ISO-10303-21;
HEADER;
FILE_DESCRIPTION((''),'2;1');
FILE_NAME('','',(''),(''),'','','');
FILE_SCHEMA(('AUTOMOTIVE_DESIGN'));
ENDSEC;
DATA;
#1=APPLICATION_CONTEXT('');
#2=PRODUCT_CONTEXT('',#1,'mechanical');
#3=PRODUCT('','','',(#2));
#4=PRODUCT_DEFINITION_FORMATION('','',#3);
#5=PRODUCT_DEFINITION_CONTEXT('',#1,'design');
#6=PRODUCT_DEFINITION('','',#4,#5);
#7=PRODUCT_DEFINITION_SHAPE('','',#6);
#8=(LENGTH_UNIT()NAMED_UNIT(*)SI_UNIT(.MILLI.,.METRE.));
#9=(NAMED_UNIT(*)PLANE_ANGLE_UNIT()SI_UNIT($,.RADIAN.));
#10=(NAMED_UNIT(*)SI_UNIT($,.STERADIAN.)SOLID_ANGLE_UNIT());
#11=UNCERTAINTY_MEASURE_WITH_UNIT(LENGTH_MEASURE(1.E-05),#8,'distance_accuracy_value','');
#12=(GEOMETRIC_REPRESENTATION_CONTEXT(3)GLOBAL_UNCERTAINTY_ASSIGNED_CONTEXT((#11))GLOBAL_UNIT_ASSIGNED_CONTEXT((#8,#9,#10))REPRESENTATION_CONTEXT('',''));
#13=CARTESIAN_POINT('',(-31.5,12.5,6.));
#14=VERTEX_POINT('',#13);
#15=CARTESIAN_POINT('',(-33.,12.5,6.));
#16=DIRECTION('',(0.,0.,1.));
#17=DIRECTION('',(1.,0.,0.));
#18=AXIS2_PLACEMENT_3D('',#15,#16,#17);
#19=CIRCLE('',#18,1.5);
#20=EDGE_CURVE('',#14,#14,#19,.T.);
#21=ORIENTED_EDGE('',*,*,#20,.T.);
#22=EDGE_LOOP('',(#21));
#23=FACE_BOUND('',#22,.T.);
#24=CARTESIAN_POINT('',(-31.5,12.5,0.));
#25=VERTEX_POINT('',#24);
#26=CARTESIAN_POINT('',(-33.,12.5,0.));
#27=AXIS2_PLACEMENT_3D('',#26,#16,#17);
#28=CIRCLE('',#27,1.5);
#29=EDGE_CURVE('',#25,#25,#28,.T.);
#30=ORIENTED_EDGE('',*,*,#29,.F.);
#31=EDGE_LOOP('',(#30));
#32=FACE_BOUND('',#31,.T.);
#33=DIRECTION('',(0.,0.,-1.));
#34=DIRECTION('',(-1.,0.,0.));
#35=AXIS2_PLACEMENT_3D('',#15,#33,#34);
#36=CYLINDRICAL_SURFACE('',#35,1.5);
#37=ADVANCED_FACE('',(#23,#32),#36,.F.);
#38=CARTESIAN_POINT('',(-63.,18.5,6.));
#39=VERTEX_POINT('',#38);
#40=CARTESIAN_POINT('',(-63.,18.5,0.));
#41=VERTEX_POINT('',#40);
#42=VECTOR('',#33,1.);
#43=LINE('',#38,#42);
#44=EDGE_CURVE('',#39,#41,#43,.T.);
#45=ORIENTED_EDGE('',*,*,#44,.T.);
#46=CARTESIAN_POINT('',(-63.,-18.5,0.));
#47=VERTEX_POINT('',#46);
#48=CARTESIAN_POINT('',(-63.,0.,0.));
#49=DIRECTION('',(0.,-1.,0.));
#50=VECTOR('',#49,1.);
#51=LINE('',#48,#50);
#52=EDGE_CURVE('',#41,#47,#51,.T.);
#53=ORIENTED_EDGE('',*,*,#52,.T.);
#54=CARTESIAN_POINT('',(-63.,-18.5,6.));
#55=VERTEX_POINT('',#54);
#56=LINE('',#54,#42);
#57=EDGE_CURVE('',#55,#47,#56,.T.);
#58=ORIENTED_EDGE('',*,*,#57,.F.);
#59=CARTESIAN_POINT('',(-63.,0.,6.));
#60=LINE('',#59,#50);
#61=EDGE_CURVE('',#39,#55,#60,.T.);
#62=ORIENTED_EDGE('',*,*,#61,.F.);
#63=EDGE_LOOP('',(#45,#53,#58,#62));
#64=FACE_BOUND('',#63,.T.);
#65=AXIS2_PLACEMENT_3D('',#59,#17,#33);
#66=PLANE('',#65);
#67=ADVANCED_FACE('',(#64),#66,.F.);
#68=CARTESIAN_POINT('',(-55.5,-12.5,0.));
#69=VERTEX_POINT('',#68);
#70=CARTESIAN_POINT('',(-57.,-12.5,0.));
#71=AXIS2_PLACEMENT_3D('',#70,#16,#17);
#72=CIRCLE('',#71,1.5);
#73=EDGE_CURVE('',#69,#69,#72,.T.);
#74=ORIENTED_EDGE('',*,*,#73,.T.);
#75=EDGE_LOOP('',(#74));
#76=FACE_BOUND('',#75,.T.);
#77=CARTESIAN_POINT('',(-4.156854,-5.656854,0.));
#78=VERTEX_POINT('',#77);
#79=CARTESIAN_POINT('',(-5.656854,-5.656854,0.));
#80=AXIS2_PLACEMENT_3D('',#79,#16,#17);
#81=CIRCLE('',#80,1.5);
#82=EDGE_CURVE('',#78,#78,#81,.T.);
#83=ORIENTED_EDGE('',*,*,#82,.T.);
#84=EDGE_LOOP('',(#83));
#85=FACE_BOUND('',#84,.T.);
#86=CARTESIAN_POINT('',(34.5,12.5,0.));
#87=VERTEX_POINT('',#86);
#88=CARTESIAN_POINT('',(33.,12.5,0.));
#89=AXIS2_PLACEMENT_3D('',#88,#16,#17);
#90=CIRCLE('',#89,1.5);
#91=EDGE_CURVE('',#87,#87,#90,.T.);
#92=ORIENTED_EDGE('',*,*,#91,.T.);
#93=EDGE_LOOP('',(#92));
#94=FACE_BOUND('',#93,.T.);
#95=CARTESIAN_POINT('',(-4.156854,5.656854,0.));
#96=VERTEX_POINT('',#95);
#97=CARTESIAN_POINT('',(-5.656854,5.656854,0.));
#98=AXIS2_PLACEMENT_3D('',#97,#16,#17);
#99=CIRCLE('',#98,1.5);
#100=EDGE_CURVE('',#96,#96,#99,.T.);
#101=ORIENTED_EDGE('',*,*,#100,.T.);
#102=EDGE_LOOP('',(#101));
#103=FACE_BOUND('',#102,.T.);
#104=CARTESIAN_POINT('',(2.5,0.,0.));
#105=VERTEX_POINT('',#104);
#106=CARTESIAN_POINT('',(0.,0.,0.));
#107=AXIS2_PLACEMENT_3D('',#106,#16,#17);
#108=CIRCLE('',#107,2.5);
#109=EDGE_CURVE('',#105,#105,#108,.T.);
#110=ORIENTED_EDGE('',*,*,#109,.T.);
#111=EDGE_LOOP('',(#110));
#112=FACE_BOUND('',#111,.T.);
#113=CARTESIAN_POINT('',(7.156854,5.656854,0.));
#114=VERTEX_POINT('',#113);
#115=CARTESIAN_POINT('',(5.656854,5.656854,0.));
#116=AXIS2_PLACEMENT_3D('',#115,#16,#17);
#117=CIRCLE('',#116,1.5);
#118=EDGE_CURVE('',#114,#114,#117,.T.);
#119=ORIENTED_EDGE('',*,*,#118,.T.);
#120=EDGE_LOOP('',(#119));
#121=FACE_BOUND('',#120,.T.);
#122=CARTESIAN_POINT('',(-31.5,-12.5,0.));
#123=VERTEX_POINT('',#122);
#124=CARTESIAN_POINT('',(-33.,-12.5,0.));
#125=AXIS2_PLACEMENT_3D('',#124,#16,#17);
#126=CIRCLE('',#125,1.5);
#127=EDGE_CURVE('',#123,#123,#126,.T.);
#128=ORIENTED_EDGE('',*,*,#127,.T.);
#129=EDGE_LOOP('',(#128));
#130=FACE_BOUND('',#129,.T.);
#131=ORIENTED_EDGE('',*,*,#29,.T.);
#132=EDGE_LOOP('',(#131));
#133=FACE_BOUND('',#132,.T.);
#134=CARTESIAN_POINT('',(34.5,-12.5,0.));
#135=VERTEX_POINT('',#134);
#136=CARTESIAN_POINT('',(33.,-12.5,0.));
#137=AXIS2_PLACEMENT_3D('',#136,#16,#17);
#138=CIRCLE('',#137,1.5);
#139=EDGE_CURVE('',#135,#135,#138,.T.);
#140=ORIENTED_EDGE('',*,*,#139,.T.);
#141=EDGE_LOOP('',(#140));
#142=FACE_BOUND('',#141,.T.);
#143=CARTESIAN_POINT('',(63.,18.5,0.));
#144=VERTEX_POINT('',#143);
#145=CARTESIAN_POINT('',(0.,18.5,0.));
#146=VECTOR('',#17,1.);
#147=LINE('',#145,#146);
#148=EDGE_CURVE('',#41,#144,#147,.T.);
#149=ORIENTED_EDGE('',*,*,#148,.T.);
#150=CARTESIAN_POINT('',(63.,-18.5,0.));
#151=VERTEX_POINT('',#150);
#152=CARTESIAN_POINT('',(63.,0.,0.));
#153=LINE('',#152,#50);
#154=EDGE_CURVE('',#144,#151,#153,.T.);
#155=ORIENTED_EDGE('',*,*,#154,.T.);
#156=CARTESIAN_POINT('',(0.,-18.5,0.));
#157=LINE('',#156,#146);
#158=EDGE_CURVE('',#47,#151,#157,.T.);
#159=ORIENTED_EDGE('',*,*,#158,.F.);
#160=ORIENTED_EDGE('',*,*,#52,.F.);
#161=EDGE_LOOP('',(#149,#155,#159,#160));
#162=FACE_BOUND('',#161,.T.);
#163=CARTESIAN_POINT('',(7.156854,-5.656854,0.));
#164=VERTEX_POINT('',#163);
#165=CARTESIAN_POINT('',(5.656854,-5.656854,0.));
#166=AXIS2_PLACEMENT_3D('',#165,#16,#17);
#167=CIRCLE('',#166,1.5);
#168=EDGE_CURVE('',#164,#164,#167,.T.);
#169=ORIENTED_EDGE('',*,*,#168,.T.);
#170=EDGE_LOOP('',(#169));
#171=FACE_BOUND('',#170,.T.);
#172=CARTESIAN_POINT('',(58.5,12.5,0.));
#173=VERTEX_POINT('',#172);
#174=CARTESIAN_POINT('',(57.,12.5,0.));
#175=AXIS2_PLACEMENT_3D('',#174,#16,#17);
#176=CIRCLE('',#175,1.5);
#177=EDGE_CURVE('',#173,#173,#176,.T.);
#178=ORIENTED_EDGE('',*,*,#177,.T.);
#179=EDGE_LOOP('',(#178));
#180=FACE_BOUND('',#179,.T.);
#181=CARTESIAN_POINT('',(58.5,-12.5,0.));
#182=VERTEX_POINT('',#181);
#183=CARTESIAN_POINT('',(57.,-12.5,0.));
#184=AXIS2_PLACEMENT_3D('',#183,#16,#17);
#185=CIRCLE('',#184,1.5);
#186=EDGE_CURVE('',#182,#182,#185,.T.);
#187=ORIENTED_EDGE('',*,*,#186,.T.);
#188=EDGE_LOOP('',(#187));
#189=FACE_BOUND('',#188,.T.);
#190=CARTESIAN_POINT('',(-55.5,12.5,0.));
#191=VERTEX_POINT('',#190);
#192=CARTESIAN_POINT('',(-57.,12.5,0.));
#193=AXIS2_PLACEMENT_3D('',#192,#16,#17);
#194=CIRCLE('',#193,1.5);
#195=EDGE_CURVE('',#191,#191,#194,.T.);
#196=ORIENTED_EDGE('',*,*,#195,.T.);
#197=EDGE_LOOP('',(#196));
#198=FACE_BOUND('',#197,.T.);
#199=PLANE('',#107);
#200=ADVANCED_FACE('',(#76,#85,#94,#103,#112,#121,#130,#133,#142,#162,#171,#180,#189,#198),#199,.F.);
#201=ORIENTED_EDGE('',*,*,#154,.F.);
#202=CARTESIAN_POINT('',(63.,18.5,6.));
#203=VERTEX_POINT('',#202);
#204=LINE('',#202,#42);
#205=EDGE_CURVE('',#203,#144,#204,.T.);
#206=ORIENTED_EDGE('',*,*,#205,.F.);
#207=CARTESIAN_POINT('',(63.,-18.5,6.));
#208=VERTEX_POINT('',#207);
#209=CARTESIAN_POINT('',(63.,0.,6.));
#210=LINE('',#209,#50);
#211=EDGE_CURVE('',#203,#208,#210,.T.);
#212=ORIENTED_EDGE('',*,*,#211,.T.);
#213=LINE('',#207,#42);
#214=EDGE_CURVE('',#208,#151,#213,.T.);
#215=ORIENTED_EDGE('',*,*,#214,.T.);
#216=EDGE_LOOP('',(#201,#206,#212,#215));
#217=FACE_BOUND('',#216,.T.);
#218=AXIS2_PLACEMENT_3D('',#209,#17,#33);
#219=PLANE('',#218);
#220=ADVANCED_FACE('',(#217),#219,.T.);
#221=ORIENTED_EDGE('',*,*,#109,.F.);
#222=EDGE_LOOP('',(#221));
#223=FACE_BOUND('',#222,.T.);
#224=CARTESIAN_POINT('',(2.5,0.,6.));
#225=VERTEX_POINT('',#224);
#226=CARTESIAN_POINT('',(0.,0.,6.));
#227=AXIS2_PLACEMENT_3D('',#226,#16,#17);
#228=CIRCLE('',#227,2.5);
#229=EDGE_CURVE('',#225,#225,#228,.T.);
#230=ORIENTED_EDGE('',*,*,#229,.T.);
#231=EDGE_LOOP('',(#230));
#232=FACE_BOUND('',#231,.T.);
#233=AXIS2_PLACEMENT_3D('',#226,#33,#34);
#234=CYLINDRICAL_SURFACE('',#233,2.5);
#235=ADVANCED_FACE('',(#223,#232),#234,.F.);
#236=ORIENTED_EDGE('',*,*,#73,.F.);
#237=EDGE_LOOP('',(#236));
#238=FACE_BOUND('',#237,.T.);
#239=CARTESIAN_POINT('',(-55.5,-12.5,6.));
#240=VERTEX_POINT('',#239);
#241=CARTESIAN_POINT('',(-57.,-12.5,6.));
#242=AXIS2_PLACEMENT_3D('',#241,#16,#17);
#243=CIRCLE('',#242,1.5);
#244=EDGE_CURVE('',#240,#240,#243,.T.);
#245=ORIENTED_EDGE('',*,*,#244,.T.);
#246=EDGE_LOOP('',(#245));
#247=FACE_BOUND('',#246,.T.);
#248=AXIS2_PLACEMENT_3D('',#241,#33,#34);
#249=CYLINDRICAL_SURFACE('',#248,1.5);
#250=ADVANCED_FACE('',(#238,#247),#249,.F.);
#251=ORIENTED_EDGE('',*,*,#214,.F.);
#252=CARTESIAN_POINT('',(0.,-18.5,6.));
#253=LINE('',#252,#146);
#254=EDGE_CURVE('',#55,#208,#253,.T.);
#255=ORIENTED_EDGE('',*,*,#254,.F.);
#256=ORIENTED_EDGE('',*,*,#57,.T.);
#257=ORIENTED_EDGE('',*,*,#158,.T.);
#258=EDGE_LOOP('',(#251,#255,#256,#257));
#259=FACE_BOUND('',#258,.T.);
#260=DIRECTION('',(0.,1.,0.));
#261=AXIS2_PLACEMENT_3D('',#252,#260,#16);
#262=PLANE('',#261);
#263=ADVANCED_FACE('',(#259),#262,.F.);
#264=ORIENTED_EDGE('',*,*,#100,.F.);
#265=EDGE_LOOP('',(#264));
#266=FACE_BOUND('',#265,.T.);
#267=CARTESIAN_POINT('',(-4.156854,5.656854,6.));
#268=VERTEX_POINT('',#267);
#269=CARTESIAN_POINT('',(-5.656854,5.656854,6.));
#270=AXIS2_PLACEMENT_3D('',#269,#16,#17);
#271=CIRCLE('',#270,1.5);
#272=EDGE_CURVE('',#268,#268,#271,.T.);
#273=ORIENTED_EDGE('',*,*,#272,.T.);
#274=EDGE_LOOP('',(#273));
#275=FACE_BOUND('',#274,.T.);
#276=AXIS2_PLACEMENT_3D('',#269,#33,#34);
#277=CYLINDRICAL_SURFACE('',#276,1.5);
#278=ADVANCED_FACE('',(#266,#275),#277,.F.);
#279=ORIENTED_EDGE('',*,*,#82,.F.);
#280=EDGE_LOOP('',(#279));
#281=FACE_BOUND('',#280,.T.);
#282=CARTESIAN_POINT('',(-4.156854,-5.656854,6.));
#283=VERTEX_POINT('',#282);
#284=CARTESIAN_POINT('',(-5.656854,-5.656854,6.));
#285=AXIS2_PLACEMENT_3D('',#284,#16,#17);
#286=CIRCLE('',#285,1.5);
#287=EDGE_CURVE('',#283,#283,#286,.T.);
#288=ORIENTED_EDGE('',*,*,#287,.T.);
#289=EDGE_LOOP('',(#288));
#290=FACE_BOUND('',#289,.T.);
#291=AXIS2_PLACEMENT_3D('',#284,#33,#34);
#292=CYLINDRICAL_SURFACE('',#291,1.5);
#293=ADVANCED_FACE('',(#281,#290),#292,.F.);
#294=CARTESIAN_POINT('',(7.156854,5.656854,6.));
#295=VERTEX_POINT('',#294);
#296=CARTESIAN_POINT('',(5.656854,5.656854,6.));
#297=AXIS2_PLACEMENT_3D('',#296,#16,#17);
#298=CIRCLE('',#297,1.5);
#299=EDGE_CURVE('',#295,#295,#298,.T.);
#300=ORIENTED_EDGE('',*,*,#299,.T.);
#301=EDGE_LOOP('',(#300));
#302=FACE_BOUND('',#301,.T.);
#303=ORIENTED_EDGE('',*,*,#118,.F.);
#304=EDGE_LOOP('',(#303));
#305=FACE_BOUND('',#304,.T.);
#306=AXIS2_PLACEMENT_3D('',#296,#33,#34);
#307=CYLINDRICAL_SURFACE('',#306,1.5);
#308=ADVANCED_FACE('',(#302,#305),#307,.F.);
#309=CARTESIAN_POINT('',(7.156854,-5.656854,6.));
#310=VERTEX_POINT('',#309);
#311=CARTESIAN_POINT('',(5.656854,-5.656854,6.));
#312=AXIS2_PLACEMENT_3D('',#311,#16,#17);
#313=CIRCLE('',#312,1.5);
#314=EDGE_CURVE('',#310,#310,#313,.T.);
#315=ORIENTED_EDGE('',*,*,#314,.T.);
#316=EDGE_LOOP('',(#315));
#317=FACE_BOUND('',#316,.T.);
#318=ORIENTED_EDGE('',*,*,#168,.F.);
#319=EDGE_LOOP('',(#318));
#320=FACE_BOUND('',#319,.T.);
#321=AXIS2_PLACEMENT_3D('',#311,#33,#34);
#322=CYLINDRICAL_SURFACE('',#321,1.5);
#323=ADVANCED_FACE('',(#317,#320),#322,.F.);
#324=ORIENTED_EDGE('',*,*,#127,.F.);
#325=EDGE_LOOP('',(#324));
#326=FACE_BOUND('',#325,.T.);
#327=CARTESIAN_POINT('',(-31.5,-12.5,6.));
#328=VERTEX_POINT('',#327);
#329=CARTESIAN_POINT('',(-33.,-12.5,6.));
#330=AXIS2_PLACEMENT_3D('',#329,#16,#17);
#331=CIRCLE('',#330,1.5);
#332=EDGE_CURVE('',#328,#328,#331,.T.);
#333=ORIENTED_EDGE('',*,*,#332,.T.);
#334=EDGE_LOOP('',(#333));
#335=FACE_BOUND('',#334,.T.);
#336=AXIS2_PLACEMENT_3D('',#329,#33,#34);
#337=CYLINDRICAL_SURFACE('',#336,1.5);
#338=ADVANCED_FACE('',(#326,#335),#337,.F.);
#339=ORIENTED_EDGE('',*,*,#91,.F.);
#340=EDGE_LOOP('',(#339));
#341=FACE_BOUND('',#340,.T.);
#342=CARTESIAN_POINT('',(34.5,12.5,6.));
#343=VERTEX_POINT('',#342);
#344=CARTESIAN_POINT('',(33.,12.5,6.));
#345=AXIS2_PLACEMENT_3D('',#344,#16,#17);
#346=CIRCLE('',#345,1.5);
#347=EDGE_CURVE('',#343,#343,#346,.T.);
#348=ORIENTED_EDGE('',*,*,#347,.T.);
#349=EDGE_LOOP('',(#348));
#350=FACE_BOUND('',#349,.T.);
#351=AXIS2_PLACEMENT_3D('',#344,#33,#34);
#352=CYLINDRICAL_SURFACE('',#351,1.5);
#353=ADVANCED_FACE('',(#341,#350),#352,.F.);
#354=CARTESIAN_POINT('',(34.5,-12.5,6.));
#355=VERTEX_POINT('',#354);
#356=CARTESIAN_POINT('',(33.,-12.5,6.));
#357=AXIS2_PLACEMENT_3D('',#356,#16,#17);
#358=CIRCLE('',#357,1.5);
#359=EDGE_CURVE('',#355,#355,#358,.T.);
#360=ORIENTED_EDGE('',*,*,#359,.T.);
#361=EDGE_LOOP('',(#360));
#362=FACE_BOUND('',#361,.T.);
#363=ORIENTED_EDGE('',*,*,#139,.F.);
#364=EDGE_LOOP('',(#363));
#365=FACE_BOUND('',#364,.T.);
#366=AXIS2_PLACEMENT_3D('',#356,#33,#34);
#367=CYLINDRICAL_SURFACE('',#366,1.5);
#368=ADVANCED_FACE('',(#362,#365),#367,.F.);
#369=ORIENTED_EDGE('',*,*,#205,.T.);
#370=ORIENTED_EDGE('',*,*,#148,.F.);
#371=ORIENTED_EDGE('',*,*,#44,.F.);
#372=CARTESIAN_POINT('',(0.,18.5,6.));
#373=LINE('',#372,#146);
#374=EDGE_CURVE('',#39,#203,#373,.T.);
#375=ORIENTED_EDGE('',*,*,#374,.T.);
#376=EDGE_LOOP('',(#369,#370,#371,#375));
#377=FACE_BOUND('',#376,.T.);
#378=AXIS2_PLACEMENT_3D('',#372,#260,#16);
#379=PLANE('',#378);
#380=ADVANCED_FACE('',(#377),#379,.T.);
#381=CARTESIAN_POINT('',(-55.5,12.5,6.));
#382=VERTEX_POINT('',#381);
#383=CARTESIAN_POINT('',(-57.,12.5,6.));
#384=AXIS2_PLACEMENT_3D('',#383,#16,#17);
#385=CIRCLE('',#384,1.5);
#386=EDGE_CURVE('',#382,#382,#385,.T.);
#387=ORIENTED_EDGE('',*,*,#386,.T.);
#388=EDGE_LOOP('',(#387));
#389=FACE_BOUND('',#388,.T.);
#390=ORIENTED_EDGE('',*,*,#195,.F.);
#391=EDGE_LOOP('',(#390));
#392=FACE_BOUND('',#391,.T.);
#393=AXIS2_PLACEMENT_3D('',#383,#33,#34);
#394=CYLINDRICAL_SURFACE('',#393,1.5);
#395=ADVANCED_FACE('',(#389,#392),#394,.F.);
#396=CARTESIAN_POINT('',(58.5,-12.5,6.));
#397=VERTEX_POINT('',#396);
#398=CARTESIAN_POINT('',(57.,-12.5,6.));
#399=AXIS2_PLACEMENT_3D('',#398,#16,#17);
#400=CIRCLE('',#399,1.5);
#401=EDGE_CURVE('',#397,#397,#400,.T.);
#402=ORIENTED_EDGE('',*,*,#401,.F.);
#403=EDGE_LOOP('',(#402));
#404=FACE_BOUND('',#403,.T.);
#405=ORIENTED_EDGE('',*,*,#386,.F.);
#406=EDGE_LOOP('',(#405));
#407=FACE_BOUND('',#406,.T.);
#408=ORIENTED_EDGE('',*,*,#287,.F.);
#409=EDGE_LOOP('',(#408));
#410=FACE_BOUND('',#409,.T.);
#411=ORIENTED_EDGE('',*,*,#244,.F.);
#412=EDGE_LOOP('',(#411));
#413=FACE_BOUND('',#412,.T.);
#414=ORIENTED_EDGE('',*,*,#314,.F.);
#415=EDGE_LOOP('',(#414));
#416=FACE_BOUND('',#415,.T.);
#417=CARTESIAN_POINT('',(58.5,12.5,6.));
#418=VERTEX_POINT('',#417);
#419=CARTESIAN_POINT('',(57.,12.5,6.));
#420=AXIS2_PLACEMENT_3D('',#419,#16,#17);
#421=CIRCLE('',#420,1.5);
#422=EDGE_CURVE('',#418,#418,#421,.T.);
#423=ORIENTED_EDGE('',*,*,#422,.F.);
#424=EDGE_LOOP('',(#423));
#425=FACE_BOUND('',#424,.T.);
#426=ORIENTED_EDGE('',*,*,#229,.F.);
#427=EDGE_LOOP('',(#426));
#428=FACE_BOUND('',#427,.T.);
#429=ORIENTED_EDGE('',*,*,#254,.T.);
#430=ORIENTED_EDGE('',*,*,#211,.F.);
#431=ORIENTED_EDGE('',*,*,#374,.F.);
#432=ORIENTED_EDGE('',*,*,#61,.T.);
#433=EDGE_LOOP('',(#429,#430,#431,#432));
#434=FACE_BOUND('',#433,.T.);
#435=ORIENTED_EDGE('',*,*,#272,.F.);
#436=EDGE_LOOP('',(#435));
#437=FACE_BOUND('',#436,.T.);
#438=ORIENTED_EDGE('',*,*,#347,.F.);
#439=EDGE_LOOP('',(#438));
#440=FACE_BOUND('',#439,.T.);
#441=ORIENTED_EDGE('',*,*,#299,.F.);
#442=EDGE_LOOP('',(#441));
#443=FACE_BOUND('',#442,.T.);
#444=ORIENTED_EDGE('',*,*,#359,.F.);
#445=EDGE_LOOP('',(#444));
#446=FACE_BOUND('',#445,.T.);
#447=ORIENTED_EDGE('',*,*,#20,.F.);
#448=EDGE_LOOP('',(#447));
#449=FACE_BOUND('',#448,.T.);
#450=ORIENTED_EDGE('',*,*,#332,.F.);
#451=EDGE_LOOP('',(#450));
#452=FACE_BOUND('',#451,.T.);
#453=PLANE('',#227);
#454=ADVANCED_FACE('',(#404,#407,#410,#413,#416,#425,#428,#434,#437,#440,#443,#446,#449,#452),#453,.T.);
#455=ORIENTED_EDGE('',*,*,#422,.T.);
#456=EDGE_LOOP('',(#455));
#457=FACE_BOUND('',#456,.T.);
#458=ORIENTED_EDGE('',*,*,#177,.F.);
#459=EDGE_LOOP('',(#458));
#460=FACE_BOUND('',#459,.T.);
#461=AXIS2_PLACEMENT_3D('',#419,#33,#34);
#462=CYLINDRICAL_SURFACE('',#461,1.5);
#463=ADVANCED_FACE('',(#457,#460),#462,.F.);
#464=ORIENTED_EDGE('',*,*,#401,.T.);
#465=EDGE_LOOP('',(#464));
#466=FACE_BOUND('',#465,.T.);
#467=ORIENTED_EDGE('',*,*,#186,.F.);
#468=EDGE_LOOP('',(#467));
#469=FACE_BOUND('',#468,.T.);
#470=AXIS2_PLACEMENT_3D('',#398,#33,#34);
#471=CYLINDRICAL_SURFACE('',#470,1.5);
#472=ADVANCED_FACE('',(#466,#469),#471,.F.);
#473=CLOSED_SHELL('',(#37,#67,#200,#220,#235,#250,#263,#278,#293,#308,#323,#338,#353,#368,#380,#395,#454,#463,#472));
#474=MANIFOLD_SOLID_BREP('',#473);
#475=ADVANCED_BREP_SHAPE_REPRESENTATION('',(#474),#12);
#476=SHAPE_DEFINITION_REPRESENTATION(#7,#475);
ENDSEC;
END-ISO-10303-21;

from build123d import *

# Parameters (mm, degrees)
SKETCH_1_W      = 126
SKETCH_1_H      = 37
SKETCH_1_R      = 1.5
SKETCH_1_R_2    = 2.5
EXTRUDE_1_DEPTH = 6


with BuildPart() as part:
    # 草图1 → 凸台-拉伸1 (new body)
    with BuildSketch(Plane.XY):
        Rectangle(SKETCH_1_W, SKETCH_1_H)
        with Locations((-57, 12.5)):
            Circle(SKETCH_1_R, mode=Mode.SUBTRACT)
        with Locations((-33, 12.5)):
            Circle(SKETCH_1_R, mode=Mode.SUBTRACT)
        with Locations((-57, -12.5)):
            Circle(SKETCH_1_R, mode=Mode.SUBTRACT)
        with Locations((-33, -12.5)):
            Circle(SKETCH_1_R, mode=Mode.SUBTRACT)
        with Locations((33, 12.5)):
            Circle(SKETCH_1_R, mode=Mode.SUBTRACT)
        with Locations((57, 12.5)):
            Circle(SKETCH_1_R, mode=Mode.SUBTRACT)
        with Locations((57, -12.5)):
            Circle(SKETCH_1_R, mode=Mode.SUBTRACT)
        with Locations((33, -12.5)):
            Circle(SKETCH_1_R, mode=Mode.SUBTRACT)
        with Locations((-5.656854249, 5.656854249)):
            Circle(SKETCH_1_R, mode=Mode.SUBTRACT)
        with Locations((5.656854249, 5.656854249)):
            Circle(SKETCH_1_R, mode=Mode.SUBTRACT)
        with Locations((-5.656854249, -5.656854249)):
            Circle(SKETCH_1_R, mode=Mode.SUBTRACT)
        with Locations((5.656854249, -5.656854249)):
            Circle(SKETCH_1_R, mode=Mode.SUBTRACT)
        Circle(SKETCH_1_R_2, mode=Mode.SUBTRACT)
    extrude(amount=EXTRUDE_1_DEPTH)


solid = part.part
